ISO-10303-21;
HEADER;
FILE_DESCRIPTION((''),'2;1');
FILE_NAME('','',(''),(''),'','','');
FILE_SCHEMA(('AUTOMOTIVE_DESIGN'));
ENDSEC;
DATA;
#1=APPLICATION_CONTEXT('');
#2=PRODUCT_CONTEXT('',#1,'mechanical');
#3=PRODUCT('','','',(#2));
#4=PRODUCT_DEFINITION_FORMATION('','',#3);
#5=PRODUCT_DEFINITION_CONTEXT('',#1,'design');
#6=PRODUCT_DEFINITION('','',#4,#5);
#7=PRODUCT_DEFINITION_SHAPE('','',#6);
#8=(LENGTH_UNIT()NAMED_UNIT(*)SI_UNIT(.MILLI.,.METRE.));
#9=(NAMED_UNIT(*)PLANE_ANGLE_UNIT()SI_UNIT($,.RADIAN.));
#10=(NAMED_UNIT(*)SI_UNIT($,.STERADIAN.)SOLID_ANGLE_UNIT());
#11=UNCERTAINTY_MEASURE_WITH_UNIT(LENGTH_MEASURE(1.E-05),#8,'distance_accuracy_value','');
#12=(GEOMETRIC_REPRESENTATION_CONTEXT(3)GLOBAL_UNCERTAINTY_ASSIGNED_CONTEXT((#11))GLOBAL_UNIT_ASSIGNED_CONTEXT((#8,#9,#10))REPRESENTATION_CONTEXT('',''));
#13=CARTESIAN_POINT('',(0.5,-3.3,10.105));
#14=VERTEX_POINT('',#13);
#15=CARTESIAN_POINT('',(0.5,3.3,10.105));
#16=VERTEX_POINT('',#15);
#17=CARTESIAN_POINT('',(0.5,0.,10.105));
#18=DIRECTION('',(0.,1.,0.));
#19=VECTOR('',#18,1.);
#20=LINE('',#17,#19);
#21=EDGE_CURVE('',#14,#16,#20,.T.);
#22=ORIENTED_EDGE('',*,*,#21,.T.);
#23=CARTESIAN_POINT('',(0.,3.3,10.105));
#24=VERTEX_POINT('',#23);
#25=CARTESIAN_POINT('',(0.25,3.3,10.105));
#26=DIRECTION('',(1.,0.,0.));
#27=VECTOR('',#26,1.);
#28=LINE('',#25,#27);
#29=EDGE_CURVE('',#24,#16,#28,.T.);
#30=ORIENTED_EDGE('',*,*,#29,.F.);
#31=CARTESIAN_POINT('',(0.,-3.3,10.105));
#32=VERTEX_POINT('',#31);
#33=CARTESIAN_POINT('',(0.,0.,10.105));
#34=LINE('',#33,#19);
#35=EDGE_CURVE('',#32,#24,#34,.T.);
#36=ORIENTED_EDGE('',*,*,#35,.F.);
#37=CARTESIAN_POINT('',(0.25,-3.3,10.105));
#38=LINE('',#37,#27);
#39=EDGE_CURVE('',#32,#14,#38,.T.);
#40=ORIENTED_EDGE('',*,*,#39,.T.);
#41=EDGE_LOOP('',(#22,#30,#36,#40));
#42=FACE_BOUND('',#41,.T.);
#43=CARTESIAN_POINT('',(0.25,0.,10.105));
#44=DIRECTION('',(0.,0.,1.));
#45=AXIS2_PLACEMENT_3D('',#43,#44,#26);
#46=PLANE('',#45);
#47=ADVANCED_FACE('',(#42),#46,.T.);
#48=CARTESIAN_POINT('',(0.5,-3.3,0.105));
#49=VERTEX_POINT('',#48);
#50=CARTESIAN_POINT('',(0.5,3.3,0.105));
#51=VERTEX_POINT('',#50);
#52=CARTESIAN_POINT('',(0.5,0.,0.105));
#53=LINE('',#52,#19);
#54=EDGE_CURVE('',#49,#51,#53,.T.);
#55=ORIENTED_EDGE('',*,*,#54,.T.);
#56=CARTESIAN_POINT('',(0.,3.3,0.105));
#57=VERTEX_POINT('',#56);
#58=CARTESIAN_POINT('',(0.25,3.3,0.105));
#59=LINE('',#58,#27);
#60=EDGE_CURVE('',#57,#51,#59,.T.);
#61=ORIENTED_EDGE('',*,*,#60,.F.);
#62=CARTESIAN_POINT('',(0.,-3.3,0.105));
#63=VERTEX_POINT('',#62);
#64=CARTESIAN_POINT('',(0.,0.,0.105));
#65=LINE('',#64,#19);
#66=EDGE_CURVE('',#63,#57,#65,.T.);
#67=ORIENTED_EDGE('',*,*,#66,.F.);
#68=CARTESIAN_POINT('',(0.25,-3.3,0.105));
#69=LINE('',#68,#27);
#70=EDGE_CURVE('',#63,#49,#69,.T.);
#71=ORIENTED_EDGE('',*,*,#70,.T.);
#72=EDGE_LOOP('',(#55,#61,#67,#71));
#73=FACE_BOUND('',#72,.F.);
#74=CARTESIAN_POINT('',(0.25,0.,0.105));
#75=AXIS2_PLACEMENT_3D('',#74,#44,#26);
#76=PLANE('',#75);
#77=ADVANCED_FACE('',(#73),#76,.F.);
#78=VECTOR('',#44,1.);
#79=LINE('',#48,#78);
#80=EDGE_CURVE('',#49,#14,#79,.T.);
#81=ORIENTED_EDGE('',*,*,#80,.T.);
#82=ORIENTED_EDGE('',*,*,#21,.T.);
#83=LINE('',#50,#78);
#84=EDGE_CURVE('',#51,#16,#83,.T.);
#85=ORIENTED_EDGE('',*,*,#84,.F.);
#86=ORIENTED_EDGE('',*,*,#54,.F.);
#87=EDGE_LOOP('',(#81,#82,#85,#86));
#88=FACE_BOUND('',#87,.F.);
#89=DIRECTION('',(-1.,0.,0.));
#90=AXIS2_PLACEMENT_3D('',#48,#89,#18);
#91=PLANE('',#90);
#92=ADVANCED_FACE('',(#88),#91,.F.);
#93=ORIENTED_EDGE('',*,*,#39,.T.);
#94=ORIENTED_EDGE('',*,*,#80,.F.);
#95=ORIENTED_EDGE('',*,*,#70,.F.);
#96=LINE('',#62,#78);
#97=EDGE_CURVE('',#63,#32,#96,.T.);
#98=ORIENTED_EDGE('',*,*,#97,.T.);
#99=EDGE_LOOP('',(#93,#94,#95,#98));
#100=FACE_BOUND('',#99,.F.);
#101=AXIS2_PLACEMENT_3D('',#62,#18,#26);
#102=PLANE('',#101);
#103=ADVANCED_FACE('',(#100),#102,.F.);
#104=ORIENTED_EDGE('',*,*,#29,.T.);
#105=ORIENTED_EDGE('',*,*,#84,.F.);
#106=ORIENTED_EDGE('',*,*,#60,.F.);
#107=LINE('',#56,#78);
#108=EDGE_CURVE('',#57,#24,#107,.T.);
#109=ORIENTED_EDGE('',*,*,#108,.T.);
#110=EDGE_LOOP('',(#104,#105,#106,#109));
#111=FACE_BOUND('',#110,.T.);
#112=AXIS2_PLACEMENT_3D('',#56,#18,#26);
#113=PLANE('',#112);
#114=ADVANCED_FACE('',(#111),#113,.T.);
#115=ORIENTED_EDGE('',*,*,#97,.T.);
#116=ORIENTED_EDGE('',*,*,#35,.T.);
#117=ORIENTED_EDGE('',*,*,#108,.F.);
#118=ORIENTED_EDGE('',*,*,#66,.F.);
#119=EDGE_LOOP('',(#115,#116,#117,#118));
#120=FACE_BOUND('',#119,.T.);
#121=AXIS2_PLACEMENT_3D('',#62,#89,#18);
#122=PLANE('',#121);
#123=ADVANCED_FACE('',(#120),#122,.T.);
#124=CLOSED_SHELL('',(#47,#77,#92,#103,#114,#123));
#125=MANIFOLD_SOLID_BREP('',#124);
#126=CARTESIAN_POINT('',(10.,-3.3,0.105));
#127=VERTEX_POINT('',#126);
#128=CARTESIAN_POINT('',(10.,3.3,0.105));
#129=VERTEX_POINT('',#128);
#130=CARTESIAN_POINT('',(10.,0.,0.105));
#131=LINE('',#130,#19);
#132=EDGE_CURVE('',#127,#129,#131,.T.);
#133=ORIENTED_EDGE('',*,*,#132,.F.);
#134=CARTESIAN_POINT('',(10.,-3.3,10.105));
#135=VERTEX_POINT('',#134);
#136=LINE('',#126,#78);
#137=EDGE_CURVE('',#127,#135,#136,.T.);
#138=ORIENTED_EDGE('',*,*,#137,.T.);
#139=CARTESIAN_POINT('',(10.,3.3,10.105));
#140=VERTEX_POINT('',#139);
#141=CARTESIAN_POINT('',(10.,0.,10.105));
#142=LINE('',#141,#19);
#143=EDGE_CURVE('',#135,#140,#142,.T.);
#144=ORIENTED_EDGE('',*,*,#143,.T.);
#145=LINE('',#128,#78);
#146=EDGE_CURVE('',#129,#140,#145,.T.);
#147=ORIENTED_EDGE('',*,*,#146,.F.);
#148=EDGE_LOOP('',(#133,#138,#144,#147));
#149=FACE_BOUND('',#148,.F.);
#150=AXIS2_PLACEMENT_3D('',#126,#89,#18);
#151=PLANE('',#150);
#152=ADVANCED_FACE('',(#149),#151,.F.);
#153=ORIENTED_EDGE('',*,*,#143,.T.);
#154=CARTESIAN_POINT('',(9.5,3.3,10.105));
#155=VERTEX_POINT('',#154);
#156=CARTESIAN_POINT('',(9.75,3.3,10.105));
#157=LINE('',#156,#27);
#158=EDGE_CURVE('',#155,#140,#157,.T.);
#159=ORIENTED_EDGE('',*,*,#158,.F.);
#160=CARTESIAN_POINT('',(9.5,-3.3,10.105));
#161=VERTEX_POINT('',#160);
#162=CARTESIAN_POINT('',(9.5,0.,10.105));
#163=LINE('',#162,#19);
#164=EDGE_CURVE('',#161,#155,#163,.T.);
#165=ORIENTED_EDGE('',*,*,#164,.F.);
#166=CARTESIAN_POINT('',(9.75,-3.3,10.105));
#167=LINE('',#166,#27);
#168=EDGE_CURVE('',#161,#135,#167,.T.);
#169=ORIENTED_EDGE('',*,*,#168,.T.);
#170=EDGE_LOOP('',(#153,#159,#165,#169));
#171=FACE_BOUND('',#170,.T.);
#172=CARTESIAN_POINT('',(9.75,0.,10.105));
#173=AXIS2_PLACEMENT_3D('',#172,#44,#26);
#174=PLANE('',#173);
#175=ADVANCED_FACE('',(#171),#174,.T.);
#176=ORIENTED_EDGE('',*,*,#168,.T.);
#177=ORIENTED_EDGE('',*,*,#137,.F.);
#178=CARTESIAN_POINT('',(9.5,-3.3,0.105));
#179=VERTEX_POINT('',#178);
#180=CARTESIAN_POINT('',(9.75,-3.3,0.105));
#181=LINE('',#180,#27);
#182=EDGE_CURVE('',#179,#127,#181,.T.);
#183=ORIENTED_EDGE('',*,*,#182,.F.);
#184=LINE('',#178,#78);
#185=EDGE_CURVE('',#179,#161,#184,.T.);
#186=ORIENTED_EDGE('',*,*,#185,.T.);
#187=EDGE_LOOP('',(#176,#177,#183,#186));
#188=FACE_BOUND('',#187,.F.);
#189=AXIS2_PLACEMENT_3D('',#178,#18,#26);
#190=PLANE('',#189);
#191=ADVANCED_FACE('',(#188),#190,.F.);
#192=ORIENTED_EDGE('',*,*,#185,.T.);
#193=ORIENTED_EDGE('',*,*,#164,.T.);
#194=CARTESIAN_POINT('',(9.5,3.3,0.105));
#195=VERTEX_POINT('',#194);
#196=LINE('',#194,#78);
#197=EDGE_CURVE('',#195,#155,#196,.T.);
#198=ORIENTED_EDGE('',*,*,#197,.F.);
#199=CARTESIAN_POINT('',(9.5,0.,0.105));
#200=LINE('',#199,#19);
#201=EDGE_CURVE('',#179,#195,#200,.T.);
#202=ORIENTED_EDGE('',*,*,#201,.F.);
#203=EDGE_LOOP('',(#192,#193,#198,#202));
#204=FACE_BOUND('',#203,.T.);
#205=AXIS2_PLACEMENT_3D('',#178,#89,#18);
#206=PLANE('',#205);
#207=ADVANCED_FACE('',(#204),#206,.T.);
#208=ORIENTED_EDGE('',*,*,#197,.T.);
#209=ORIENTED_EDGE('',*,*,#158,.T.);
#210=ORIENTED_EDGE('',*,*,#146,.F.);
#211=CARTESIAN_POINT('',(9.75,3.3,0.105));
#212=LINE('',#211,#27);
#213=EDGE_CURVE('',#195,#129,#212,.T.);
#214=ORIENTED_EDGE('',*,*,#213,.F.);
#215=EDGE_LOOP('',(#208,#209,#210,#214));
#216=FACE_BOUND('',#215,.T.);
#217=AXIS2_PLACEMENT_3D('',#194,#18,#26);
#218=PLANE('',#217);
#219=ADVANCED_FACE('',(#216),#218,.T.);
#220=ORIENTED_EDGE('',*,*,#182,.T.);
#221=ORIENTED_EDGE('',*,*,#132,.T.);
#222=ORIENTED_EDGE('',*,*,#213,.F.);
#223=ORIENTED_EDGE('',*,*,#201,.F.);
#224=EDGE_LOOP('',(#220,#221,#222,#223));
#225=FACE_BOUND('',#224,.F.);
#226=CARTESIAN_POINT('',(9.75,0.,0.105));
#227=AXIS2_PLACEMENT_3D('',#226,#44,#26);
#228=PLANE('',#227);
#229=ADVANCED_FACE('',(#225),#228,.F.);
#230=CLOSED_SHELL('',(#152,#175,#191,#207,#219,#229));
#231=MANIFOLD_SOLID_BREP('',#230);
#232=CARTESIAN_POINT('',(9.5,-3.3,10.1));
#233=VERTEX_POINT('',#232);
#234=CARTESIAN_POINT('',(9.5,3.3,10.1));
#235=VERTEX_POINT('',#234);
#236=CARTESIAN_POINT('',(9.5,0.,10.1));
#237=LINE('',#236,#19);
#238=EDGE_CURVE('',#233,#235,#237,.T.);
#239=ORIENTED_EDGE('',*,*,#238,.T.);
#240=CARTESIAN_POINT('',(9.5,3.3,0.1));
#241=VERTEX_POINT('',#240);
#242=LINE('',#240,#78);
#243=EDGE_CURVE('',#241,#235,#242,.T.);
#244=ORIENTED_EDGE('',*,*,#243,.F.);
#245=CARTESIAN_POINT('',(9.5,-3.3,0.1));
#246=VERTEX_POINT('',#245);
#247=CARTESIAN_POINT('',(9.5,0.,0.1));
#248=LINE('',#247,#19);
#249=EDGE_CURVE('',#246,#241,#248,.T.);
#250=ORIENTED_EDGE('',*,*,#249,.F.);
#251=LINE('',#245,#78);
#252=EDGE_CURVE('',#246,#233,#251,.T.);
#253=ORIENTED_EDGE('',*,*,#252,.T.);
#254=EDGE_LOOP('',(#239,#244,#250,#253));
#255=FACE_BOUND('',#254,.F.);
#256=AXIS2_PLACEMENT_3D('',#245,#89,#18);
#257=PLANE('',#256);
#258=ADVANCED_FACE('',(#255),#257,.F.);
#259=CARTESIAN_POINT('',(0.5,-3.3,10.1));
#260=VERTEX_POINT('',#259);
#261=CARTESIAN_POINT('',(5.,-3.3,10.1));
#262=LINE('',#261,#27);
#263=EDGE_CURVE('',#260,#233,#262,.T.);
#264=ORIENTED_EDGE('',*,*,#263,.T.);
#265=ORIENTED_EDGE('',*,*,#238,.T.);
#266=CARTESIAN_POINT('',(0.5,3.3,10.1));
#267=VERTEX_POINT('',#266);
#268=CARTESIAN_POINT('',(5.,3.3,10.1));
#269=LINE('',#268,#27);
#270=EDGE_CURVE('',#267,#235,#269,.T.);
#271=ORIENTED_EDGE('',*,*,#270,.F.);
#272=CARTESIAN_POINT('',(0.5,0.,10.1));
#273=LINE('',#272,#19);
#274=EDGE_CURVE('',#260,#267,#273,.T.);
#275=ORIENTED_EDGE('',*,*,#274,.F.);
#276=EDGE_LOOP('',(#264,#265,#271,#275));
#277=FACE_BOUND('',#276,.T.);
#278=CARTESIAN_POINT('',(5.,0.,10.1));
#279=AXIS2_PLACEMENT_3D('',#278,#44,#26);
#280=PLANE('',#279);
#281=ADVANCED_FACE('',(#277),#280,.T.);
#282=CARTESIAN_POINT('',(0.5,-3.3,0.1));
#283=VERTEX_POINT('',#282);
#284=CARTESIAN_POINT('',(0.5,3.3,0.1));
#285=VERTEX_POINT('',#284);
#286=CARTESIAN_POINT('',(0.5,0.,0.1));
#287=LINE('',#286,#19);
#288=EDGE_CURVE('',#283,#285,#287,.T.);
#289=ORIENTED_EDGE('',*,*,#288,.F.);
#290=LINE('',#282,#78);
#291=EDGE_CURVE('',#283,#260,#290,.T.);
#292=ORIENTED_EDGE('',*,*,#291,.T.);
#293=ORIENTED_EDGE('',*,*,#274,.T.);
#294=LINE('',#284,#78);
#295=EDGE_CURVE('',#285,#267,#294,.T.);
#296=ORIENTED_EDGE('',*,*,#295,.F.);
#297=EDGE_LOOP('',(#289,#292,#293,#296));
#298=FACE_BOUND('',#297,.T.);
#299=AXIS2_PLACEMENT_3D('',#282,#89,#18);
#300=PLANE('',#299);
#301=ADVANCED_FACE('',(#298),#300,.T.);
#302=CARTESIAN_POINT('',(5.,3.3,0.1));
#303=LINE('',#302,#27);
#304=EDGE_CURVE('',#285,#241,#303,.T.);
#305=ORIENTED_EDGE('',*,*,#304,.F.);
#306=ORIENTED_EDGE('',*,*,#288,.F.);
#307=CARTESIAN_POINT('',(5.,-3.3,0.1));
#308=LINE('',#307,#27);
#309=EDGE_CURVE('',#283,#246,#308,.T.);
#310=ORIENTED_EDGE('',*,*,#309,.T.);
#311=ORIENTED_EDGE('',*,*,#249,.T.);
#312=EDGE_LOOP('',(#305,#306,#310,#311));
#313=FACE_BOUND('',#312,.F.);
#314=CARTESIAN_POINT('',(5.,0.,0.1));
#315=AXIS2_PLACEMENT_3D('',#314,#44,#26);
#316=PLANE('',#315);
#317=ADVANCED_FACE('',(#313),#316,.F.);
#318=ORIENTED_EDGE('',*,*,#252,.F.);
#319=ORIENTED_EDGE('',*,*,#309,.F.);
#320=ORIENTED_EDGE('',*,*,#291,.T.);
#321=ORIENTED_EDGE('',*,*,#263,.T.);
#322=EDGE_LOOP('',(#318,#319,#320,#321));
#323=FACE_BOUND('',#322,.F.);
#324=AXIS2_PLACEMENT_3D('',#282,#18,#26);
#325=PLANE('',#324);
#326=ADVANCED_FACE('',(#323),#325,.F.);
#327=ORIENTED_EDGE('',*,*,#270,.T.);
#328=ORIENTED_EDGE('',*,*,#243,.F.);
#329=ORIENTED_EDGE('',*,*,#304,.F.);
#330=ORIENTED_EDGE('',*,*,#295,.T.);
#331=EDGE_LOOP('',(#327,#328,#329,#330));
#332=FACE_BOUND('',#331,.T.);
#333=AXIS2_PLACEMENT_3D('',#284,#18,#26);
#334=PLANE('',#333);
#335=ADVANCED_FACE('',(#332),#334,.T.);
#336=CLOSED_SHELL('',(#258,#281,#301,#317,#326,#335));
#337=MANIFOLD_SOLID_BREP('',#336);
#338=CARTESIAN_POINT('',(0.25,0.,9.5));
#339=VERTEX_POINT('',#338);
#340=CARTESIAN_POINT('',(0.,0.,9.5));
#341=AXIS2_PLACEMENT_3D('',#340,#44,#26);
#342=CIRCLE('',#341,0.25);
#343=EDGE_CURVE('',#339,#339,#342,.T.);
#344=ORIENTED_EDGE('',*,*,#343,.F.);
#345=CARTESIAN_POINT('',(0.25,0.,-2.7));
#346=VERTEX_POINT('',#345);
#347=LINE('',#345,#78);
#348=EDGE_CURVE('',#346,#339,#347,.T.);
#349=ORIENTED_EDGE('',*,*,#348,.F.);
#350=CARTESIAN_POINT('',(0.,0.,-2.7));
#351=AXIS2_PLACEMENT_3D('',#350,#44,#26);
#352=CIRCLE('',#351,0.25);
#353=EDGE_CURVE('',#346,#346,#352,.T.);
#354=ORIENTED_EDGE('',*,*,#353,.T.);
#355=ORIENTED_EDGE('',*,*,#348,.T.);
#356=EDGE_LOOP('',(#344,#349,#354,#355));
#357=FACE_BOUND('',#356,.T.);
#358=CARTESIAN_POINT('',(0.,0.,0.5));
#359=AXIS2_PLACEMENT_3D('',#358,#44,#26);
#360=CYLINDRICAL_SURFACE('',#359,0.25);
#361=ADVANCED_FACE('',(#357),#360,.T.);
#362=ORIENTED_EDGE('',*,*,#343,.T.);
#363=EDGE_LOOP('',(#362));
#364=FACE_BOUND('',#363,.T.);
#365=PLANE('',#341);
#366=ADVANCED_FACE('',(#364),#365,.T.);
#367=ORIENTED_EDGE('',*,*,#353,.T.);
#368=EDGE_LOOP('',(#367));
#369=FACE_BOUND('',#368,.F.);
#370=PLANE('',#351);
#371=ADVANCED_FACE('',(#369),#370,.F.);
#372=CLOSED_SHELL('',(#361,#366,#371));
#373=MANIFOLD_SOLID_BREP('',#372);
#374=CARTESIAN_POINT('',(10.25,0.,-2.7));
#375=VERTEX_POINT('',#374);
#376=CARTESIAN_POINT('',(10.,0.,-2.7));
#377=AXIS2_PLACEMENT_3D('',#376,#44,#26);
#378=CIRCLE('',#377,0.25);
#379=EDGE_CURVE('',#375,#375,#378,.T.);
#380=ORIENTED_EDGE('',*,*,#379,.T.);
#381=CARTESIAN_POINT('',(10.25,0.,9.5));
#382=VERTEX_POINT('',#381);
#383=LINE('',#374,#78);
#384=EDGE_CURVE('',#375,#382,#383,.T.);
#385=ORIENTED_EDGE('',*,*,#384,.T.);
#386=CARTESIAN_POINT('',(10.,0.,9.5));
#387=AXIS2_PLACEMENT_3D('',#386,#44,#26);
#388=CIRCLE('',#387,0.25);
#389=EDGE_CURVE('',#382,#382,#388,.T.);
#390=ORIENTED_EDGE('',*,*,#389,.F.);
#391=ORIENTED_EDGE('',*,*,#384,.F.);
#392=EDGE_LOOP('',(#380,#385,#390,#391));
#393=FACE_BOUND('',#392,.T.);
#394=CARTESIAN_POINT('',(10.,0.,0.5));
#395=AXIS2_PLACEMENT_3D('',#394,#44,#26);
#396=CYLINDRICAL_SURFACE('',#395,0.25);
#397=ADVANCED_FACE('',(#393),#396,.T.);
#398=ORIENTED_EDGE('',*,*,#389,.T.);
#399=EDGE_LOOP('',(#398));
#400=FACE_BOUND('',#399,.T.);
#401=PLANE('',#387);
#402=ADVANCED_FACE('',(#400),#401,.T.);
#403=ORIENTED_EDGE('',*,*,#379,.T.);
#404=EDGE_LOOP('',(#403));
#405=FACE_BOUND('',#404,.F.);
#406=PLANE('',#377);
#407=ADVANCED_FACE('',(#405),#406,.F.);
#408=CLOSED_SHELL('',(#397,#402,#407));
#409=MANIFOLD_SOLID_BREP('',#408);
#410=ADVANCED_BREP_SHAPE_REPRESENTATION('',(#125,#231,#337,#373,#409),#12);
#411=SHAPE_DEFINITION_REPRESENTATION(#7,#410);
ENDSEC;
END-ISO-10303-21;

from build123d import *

# Parameters (mm, degrees)
SKETCH_W          = 9
SKETCH_H          = 6.6
PAD_DEPTH         = 10
SKETCH001_R       = 0.25
PAD001_DEPTH      = 9
PAD001_DEPTH_BACK = 3.2
SKETCH002_W       = 0.5
SKETCH002_H       = 6.6
PAD002_DEPTH      = 10


with BuildPart() as pad:
    # Sketch → Pad (new body)
    with BuildSketch(Plane.XY.offset(0.1)):
        with Locations((5, 0)):
            Rectangle(SKETCH_W, SKETCH_H)
    extrude(amount=PAD_DEPTH)


with BuildPart() as pad001:
    # Sketch001 → Pad001 (new body, two sides)
    with BuildSketch(Plane.XY.offset(0.5)) as pad001_sk:
        Circle(SKETCH001_R)
        with Locations((10, 0)):
            Circle(SKETCH001_R)
    extrude(amount=PAD001_DEPTH)
    extrude(pad001_sk.sketch, amount=-PAD001_DEPTH_BACK)


with BuildPart() as pad002:
    # Sketch002 → Pad002 (new body)
    with BuildSketch(Plane.XY.offset(0.105)):
        with Locations((0.25, 0)):
            Rectangle(SKETCH002_W, SKETCH002_H)
        with Locations((9.75, 0)):
            Rectangle(SKETCH002_W, SKETCH002_H)
    extrude(amount=PAD002_DEPTH)


solid = Compound([pad.part, pad001.part, pad002.part])
